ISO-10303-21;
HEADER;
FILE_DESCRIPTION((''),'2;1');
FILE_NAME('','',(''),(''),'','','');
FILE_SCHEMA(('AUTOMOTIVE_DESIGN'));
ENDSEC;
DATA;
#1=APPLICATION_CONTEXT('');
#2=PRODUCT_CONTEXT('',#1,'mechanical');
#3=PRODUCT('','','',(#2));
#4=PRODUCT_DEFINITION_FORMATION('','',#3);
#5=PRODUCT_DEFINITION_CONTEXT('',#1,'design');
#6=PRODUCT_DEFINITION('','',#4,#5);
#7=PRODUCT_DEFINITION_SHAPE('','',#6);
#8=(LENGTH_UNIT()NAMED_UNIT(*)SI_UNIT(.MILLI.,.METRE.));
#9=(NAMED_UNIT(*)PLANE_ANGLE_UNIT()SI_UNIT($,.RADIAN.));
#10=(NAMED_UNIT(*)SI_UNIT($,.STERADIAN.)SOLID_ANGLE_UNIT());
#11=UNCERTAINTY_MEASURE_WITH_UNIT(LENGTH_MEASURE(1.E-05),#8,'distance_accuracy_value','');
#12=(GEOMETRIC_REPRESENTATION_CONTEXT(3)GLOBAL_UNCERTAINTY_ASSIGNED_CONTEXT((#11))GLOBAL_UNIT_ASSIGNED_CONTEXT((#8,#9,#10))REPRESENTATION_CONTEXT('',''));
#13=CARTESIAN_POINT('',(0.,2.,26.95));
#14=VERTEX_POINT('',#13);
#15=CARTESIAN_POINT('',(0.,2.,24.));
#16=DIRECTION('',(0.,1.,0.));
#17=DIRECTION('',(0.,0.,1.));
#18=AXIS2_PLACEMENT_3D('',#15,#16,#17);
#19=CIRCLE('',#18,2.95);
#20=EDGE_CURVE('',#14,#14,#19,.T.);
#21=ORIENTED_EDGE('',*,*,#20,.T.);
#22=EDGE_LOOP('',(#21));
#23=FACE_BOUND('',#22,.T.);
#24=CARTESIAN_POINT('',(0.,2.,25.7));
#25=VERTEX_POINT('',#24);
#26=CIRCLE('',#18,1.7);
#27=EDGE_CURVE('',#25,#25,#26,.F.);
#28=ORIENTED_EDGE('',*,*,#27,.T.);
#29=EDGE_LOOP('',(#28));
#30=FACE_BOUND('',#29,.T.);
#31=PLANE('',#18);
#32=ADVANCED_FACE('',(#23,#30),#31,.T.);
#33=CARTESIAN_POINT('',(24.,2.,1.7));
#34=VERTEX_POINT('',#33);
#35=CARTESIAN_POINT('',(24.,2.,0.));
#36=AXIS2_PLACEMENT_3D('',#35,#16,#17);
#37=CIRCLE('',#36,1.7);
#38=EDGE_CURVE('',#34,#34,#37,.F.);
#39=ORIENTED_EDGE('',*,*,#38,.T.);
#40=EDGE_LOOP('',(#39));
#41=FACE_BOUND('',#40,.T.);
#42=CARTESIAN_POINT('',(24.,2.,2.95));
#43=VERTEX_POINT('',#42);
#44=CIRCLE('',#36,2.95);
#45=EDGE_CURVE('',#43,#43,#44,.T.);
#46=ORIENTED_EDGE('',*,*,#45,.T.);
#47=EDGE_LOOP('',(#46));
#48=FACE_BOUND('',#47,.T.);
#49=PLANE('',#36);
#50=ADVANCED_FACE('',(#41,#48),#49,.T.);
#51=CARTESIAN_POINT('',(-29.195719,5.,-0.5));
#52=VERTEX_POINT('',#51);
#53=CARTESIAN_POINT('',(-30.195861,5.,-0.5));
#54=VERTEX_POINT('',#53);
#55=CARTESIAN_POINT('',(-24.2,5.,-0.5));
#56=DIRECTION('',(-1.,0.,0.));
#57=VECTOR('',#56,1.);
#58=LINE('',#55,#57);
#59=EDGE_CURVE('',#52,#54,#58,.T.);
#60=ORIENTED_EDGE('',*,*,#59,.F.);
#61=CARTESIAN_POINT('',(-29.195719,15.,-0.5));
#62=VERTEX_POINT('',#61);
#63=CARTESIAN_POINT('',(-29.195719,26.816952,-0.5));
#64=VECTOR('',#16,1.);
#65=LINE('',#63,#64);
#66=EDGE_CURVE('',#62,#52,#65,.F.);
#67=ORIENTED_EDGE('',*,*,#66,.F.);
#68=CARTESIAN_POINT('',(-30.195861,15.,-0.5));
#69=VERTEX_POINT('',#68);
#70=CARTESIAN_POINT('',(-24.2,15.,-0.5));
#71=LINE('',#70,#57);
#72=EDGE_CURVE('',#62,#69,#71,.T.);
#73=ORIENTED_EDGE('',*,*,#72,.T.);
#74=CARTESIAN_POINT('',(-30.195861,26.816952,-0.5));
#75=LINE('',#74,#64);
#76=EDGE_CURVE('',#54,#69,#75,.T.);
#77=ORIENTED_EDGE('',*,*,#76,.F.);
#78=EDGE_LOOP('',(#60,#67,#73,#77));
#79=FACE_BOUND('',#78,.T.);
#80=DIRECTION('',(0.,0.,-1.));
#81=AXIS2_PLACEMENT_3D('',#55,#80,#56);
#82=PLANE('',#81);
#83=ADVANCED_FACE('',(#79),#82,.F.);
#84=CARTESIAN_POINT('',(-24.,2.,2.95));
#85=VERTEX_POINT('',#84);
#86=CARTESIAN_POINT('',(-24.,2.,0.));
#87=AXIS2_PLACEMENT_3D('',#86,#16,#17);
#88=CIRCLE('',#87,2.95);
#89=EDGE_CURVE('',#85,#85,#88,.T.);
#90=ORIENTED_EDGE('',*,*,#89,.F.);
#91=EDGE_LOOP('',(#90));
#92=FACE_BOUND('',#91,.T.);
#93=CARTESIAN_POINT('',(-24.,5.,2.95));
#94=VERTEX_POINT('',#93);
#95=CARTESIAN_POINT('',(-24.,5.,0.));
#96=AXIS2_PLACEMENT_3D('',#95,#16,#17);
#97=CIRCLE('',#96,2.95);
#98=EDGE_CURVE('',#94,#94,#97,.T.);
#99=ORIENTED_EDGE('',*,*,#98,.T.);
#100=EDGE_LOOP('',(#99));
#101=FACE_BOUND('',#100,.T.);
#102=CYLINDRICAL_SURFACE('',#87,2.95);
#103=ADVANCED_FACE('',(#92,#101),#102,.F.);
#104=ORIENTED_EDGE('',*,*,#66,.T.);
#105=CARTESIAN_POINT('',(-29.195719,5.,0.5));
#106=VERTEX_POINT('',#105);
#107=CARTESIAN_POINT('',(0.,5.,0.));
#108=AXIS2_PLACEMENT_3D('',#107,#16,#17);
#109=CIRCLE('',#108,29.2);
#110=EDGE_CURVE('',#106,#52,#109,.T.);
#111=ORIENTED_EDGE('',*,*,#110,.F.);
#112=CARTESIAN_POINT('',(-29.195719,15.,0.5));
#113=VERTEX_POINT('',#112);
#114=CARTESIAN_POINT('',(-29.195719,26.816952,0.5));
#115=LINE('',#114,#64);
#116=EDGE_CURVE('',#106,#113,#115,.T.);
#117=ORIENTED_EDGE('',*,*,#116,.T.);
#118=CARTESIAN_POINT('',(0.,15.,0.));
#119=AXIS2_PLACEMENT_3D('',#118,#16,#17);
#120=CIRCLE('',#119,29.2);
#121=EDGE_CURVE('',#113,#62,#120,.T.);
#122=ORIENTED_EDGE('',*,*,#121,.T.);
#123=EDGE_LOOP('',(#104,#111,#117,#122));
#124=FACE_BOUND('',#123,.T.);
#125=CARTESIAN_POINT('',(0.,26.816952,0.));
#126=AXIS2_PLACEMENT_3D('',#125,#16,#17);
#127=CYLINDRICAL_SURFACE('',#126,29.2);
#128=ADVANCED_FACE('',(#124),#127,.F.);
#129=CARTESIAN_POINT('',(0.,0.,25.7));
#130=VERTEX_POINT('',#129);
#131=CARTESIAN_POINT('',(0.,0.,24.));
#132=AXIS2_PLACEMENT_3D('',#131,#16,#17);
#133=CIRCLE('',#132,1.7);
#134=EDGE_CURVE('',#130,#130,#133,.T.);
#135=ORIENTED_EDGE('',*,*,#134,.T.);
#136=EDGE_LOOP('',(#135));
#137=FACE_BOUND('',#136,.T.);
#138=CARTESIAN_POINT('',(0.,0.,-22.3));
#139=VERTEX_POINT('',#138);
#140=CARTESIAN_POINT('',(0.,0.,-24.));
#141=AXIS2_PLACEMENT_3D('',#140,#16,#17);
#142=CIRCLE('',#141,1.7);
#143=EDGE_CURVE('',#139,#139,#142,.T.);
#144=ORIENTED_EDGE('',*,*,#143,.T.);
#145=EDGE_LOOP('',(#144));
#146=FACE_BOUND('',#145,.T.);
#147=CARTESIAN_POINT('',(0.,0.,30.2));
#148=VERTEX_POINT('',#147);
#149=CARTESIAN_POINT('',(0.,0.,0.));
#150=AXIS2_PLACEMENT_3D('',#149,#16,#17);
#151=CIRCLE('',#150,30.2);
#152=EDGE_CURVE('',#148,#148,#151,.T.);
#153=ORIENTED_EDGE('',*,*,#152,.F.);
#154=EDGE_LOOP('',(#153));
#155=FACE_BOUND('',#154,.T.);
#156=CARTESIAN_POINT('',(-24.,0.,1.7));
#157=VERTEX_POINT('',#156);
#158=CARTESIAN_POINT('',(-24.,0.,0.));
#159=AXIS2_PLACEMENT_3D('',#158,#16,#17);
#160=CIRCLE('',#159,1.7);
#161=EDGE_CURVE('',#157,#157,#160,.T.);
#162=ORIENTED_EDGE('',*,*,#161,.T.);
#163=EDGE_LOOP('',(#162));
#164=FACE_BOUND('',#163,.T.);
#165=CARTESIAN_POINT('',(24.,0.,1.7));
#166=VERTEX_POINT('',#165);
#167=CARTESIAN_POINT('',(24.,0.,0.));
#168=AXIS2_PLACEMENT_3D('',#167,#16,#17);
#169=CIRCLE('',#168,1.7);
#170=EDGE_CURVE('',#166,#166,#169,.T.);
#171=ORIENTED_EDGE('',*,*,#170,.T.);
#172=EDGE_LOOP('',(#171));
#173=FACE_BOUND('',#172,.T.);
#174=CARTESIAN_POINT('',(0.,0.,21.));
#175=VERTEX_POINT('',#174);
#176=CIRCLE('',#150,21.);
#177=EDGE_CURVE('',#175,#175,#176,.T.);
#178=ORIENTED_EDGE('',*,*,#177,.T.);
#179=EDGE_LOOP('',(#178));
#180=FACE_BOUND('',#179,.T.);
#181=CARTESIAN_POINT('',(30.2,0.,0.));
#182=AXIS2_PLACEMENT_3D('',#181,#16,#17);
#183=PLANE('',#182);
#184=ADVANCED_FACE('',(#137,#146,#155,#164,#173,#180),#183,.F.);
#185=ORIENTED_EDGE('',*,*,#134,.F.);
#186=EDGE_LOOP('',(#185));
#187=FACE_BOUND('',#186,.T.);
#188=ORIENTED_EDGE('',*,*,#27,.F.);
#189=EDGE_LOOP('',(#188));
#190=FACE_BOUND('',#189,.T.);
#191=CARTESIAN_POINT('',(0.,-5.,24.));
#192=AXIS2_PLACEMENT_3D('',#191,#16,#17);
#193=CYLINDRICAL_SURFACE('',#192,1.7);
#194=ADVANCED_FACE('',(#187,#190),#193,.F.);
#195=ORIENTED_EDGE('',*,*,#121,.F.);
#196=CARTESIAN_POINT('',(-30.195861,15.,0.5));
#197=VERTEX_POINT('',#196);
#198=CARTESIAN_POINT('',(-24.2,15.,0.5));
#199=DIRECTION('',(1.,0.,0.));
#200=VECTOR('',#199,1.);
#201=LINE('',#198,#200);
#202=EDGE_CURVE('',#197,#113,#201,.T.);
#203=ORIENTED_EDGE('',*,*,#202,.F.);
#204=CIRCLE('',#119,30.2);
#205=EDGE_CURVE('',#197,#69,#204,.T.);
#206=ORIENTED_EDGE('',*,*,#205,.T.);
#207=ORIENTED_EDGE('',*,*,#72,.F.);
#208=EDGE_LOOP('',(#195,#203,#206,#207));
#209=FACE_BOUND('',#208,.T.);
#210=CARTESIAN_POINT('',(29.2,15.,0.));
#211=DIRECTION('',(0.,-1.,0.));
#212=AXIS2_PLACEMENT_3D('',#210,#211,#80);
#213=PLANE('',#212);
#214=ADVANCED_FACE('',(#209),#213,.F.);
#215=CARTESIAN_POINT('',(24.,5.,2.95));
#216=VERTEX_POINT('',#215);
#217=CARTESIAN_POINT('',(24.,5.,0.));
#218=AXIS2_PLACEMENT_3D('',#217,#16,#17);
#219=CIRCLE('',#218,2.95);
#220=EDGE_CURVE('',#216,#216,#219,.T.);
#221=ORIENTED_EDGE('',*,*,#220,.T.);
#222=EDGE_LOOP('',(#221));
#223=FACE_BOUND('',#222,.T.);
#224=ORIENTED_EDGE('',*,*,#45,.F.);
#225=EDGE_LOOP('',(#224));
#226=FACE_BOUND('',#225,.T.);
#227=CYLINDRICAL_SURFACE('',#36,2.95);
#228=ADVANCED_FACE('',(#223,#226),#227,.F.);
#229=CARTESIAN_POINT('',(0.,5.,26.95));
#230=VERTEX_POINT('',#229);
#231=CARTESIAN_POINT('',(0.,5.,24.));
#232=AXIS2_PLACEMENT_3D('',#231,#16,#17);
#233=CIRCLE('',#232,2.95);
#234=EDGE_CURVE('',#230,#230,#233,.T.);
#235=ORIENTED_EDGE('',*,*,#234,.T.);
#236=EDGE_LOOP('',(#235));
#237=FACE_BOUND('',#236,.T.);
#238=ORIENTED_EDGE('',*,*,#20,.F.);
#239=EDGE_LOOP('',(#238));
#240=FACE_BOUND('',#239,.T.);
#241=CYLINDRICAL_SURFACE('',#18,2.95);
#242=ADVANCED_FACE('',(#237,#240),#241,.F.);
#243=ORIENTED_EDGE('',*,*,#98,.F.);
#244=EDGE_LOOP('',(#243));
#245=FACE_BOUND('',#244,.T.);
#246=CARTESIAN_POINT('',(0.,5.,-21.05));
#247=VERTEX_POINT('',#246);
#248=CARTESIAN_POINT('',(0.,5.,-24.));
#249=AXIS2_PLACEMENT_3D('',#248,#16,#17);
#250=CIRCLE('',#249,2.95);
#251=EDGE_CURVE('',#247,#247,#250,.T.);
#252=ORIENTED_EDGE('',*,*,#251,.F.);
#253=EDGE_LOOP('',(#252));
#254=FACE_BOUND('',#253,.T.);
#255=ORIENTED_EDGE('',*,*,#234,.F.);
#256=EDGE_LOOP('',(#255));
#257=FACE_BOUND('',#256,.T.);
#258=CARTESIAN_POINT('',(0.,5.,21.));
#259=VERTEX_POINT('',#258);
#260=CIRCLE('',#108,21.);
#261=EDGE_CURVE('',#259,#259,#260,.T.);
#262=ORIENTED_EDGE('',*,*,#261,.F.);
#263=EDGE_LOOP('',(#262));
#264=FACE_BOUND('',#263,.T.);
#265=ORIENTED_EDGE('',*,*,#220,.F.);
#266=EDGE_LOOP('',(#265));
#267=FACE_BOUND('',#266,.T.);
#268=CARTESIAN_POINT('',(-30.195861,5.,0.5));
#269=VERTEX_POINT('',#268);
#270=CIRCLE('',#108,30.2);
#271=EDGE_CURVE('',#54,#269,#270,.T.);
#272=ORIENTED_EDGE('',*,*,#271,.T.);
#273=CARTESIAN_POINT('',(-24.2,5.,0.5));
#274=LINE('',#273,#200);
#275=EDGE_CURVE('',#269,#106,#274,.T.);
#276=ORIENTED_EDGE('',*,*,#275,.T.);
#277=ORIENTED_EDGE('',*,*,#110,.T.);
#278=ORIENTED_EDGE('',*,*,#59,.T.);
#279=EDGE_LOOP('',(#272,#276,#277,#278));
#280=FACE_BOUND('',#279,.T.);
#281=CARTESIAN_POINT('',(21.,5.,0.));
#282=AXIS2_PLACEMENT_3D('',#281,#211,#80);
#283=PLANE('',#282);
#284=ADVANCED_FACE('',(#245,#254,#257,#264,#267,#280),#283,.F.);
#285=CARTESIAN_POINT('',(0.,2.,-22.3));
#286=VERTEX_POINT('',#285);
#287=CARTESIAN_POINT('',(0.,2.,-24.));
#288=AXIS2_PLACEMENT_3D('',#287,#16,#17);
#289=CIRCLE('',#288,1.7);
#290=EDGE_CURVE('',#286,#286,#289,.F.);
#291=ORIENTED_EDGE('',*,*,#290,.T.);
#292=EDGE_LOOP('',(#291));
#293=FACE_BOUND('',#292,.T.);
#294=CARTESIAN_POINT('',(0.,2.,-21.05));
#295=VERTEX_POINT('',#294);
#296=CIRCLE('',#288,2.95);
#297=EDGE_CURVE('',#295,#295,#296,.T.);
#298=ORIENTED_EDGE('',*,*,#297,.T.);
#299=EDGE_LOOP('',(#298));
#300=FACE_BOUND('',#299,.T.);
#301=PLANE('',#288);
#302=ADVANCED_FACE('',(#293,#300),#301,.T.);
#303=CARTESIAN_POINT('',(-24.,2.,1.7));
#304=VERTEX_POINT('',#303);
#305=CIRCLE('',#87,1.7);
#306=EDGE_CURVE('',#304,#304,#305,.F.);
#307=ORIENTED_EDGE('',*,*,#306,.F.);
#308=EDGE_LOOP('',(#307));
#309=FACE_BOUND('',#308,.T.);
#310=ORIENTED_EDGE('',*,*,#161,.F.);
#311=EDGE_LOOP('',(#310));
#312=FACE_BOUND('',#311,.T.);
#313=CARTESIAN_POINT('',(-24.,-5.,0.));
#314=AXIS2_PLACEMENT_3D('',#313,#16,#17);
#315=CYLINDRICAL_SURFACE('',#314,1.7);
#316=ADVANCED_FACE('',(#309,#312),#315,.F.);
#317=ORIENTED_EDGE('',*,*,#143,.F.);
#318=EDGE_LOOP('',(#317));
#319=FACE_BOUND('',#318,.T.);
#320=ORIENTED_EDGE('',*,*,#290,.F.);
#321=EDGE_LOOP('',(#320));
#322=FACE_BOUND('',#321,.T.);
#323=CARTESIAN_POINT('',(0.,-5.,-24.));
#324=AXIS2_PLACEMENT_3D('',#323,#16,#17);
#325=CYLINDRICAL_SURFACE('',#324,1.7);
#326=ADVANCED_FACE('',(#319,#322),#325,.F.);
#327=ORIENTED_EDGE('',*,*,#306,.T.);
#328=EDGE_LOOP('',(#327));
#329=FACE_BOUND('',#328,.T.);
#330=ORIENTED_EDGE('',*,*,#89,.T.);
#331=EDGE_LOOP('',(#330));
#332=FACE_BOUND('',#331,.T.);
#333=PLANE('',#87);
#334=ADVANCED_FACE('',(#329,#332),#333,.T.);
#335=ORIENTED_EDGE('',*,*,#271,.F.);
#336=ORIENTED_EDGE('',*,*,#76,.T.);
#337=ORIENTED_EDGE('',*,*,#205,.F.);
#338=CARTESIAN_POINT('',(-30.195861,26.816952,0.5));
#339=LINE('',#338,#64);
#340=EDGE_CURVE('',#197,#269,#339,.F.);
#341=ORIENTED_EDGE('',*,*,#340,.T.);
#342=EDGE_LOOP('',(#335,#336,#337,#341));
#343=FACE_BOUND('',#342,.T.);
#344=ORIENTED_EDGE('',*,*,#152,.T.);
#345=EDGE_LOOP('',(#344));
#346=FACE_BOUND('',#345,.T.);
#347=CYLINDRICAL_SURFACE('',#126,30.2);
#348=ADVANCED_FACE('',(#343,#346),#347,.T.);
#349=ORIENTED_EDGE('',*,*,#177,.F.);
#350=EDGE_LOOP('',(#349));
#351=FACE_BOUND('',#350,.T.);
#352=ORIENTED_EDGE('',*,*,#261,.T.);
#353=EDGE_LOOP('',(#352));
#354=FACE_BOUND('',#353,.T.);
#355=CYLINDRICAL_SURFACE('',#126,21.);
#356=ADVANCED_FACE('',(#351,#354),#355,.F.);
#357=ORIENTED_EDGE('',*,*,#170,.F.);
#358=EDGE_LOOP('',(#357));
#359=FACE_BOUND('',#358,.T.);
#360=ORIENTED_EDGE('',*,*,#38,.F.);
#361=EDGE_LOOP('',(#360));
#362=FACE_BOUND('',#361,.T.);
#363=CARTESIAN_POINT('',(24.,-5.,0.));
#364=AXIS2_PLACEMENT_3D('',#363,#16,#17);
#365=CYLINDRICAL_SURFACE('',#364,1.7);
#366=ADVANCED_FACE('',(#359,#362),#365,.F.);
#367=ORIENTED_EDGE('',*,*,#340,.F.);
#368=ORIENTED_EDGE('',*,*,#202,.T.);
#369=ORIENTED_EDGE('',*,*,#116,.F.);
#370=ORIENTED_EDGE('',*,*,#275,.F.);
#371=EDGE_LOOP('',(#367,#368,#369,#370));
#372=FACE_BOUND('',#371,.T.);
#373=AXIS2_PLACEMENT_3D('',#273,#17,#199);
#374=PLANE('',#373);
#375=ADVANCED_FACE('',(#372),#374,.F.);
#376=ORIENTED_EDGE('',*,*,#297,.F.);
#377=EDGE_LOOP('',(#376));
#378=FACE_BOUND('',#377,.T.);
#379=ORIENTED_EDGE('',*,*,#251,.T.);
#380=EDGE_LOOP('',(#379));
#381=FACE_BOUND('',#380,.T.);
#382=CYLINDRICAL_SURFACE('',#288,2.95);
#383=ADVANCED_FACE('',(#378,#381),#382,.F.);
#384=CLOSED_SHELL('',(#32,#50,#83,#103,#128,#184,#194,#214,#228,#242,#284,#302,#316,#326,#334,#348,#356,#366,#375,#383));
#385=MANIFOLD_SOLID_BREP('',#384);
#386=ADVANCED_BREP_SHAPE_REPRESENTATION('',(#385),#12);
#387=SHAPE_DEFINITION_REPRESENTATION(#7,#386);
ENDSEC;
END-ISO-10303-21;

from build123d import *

# Parameters (mm, degrees)
CROQUIS2_R            = 1.7
CORTAR_EXTRUIR1_DEPTH = 10
CROQUIS3_R            = 2.95
CORTAR_EXTRUIR2_DEPTH = 3
CROQUIS4_W            = 10
CROQUIS4_H            = 1
CORTAR_EXTRUIR3_DEPTH = 10


with BuildPart() as part:
    # Croquis1 → Revolución1 (revolve)
    with BuildSketch(Plane.XY):
        Polygon((21, 0), (21, 5), (29.2, 5), (29.2, 15), (30.2, 15), (30.2, 0), align=None)
    revolve(axis=Axis((0, 26.816952267, 0), (0, -1, 0)))

    # Croquis2 → Cortar-Extruir1 (cut)
    with BuildSketch(Plane(origin=(0, 5, 0), x_dir=(1, 0, 0), z_dir=(0, 1, 0))):
        with Locations((-24, 0)):
            Circle(CROQUIS2_R)
        with Locations((0, 24)):
            Circle(CROQUIS2_R)
        with Locations((24, 0)):
            Circle(CROQUIS2_R)
        with Locations((0, -24)):
            Circle(CROQUIS2_R)
    extrude(amount=-CORTAR_EXTRUIR1_DEPTH, mode=Mode.SUBTRACT)

    # Croquis3 → Cortar-Extruir2 (cut)
    with BuildSketch(Plane(origin=(0, 5, 0), x_dir=(1, 0, 0), z_dir=(0, 1, 0))):
        with Locations((-24, 0)):
            Circle(CROQUIS3_R)
        with Locations((0, 24)):
            Circle(CROQUIS3_R)
        with Locations((24, 0)):
            Circle(CROQUIS3_R)
        with Locations((0, -24)):
            Circle(CROQUIS3_R)
    extrude(amount=-CORTAR_EXTRUIR2_DEPTH, mode=Mode.SUBTRACT)

    # Croquis4 → Cortar-Extruir3 (cut)
    with BuildSketch(Plane(origin=(0, 15, 0), x_dir=(1, 0, 0), z_dir=(0, 1, 0))):
        with Locations((-29.2, 0)):
            Rectangle(CROQUIS4_W, CROQUIS4_H)
    extrude(amount=-CORTAR_EXTRUIR3_DEPTH, mode=Mode.SUBTRACT)


solid = part.part
